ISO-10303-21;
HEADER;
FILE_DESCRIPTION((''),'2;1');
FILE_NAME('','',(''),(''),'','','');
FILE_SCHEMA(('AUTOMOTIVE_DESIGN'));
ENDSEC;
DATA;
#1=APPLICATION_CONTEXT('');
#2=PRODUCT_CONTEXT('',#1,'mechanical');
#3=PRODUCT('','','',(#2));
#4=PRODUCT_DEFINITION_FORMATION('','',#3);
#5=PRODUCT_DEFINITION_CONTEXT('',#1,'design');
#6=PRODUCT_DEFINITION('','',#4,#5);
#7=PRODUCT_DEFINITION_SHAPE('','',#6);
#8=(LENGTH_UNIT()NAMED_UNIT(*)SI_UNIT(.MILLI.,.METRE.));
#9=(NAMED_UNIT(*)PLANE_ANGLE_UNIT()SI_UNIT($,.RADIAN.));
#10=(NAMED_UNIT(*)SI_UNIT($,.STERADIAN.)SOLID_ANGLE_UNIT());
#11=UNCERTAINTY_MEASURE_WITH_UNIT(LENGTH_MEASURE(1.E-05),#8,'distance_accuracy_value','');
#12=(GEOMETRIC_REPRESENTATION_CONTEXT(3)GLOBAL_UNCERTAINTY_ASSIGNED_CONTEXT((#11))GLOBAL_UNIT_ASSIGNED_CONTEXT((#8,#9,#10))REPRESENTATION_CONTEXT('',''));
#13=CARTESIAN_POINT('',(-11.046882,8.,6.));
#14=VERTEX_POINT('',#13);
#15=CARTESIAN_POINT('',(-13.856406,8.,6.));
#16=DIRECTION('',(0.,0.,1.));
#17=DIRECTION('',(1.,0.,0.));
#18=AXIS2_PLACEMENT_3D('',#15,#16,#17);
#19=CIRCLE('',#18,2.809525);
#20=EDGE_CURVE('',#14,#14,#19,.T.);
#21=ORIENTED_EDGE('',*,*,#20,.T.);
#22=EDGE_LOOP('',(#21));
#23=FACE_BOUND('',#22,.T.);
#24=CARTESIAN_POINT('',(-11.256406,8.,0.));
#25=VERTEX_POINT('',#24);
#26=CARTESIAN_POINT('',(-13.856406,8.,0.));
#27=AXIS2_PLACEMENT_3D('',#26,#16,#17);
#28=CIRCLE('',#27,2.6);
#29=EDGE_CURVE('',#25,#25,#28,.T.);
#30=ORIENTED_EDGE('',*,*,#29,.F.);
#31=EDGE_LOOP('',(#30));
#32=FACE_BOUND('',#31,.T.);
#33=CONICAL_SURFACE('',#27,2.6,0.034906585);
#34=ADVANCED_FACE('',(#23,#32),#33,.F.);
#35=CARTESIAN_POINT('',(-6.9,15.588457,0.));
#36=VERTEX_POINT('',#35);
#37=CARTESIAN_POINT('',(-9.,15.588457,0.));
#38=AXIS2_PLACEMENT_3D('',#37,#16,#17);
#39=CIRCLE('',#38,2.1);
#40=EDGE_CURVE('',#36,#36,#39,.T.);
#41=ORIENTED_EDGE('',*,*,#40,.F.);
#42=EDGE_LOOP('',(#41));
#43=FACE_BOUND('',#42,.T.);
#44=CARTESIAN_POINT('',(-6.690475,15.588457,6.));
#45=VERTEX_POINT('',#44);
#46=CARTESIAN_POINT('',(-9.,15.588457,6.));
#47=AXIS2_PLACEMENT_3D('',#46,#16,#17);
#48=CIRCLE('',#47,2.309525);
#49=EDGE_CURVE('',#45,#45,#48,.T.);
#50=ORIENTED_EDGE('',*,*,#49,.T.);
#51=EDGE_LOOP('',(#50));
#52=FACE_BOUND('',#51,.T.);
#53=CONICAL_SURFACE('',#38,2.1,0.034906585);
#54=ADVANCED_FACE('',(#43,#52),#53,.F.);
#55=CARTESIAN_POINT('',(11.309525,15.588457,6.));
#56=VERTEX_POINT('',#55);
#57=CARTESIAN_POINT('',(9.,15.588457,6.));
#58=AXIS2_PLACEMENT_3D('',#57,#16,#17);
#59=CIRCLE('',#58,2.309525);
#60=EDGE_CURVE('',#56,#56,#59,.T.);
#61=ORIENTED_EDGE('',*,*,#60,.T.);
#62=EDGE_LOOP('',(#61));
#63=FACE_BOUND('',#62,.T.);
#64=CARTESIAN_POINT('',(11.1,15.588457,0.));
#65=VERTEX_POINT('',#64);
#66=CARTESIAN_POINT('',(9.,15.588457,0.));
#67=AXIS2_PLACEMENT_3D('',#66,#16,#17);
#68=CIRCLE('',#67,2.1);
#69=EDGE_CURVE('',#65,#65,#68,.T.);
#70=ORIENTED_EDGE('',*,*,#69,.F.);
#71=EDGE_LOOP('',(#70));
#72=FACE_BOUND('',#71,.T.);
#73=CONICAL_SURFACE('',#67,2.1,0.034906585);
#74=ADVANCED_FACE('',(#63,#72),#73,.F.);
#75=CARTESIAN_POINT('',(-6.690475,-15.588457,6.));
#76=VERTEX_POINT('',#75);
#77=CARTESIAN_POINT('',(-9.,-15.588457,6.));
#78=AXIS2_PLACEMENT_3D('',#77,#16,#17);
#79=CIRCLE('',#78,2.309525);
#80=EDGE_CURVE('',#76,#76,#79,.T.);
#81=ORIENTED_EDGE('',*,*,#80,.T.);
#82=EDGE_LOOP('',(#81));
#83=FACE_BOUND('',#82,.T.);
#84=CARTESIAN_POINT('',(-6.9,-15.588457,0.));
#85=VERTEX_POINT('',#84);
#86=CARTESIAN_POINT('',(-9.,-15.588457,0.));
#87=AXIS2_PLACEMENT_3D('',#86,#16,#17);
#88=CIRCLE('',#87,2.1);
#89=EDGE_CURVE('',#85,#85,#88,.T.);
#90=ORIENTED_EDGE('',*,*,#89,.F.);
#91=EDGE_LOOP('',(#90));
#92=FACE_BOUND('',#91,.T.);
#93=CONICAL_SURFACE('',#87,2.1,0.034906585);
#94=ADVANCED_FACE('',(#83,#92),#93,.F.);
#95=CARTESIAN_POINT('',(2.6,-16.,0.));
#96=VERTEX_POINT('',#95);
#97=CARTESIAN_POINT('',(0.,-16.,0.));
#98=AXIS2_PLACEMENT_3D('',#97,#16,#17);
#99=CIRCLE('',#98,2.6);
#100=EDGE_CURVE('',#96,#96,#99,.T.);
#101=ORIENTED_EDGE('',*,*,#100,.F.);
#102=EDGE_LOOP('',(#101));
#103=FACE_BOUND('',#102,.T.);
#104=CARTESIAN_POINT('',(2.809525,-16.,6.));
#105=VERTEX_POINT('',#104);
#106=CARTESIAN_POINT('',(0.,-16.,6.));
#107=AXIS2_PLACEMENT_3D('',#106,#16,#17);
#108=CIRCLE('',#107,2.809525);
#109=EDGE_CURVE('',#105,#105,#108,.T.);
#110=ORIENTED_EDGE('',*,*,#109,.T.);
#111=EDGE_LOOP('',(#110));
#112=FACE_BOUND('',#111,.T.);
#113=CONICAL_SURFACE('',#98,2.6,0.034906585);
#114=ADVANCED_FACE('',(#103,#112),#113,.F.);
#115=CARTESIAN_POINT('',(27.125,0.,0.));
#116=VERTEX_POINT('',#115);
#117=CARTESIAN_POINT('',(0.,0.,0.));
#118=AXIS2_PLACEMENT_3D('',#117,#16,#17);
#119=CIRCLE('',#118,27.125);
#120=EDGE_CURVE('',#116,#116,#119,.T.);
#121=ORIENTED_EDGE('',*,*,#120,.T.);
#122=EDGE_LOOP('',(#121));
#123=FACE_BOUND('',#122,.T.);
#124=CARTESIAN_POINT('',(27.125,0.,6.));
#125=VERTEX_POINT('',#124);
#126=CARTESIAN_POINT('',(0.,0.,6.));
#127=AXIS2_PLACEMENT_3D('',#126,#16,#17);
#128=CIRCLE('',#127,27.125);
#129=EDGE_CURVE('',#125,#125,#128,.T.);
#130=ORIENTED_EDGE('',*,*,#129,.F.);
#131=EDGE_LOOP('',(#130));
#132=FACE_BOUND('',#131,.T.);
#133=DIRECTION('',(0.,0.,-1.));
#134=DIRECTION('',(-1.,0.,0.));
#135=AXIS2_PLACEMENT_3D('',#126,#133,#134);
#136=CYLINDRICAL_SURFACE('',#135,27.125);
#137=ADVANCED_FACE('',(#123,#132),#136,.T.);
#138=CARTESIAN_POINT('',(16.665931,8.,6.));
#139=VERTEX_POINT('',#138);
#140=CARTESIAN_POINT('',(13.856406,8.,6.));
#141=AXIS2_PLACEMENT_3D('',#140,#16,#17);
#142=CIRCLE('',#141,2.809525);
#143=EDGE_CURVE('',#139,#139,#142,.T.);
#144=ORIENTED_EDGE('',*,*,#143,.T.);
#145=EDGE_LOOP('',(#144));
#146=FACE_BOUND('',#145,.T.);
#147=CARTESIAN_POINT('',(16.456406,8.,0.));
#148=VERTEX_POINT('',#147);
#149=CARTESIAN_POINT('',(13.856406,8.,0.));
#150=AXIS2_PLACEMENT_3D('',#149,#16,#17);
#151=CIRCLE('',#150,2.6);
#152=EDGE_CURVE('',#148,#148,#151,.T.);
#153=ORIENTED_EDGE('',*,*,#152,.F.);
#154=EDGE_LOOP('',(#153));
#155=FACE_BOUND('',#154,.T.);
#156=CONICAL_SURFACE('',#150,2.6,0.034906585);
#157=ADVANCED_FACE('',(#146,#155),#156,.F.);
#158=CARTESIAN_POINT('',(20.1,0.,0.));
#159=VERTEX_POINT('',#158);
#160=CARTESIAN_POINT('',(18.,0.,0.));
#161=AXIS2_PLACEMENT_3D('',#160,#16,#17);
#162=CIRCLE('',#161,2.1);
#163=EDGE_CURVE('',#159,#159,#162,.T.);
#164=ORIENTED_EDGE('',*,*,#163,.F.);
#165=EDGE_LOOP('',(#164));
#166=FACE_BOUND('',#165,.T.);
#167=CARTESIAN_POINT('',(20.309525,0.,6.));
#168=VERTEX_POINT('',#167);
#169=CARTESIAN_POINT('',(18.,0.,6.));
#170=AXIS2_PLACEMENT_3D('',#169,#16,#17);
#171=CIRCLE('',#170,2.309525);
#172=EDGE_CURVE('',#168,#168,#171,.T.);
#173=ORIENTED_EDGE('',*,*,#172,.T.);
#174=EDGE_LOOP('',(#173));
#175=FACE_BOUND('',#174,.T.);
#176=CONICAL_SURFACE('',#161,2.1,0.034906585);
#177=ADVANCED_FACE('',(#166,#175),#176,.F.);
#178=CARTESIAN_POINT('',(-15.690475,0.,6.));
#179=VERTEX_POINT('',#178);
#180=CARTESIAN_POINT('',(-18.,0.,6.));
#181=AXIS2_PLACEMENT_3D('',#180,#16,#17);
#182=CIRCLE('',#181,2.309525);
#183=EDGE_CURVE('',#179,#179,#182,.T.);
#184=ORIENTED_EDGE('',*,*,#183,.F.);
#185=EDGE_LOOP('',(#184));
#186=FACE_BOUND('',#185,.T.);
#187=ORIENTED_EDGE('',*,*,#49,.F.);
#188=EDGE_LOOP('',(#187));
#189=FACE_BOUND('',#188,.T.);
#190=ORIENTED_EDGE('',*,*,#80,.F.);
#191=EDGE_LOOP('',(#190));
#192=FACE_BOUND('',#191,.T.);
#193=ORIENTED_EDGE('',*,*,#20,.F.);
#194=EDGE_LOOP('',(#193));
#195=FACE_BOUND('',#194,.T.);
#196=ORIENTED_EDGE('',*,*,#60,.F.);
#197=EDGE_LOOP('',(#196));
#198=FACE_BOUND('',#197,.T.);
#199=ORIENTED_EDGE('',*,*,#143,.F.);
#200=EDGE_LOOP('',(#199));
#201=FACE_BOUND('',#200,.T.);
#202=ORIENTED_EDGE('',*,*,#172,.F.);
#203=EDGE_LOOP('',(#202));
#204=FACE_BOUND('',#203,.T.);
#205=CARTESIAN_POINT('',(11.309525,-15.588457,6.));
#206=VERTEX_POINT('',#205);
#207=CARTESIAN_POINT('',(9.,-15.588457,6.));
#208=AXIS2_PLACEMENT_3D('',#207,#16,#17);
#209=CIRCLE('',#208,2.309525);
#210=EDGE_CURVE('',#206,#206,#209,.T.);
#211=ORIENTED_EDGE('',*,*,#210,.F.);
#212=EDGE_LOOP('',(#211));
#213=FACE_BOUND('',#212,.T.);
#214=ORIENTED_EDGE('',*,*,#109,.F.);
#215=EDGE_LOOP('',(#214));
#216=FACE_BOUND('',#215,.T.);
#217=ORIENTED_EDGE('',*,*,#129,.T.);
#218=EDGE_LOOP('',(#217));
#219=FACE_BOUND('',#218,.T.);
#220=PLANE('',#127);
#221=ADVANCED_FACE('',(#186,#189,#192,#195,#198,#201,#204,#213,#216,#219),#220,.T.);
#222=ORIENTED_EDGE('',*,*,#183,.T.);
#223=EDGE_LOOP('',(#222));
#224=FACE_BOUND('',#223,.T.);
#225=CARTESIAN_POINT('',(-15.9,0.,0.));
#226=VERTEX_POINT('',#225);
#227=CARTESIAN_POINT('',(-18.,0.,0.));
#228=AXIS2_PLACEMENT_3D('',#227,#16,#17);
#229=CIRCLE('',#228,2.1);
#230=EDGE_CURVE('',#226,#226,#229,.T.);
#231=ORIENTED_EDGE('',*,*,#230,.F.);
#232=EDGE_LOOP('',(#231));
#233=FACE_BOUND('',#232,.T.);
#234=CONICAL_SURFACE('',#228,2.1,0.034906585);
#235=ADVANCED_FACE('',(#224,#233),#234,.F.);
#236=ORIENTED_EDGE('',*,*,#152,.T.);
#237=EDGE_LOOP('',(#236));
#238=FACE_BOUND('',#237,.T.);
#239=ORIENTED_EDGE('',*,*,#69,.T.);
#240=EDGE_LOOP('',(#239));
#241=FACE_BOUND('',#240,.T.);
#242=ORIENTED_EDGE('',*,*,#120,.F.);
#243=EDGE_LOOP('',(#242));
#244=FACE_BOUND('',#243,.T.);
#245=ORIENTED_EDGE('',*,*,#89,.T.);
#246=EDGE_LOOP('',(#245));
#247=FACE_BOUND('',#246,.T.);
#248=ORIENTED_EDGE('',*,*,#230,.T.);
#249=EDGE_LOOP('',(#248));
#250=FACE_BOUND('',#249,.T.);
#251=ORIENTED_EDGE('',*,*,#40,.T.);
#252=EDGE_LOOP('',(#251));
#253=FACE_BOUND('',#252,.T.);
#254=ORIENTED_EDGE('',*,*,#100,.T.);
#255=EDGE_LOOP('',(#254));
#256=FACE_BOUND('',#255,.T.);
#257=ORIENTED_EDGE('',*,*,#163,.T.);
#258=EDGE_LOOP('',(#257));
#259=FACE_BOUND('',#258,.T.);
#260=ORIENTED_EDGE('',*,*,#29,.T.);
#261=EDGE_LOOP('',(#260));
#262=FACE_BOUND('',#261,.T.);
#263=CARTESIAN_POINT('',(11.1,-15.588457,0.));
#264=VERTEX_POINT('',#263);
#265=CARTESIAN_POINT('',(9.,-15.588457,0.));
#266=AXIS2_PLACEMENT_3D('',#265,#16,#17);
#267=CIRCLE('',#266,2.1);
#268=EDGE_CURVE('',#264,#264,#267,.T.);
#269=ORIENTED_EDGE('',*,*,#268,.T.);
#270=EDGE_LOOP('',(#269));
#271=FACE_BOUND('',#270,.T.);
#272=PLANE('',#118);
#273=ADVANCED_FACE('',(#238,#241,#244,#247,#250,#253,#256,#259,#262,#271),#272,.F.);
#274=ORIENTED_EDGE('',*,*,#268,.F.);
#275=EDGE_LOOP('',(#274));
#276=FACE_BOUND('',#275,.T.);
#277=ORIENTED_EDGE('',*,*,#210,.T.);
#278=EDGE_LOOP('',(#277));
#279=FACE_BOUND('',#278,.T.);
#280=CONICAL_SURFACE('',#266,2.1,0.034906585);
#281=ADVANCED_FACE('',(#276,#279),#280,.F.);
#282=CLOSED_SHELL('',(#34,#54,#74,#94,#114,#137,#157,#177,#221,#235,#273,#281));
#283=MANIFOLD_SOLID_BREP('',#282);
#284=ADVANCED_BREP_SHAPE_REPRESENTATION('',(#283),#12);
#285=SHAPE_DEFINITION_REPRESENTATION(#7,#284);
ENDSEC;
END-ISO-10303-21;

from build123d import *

# Parameters (mm, degrees)
SKETCH1_R                    = 27.125
BOSS_EXTRUDE1_DEPTH          = 6
CUT_EXTRUDE1_START           = 6
SKETCH2_R                    = 2.6
CUT_EXTRUDE1_DEPTH           = 45.826939745
CUT_EXTRUDE1_DRAFT           = 2
CUT_EXTRUDE1_PROFILE_2_DEPTH = 45.826939745
CUT_EXTRUDE1_PROFILE_2_DRAFT = 2
CUT_EXTRUDE1_PROFILE_3_DEPTH = 45.826939745
CUT_EXTRUDE1_PROFILE_3_DRAFT = 2
SKETCH2_R_2                  = 2.1
CUT_EXTRUDE1_PROFILE_4_DEPTH = 45.826939745
CUT_EXTRUDE1_PROFILE_4_DRAFT = 2
CUT_EXTRUDE1_PROFILE_5_DEPTH = 45.826939745
CUT_EXTRUDE1_PROFILE_5_DRAFT = 2
CUT_EXTRUDE1_PROFILE_6_DEPTH = 45.826939745
CUT_EXTRUDE1_PROFILE_6_DRAFT = 2
CUT_EXTRUDE1_PROFILE_7_DEPTH = 45.826939745
CUT_EXTRUDE1_PROFILE_7_DRAFT = 2
CUT_EXTRUDE1_PROFILE_8_DEPTH = 45.826939745
CUT_EXTRUDE1_PROFILE_8_DRAFT = 2
CUT_EXTRUDE1_PROFILE_9_DEPTH = 45.826939745
CUT_EXTRUDE1_PROFILE_9_DRAFT = 2


with BuildPart() as part:
    # Sketch1 → Boss-Extrude1 (new body)
    with BuildSketch(Plane(origin=(0, 0, 0), x_dir=(0, 1, 0), z_dir=(0, 0, 1))):
        with Locations(Location((0, 0, 0), (0, 0, 270))):
            Circle(SKETCH1_R)
    extrude(amount=BOSS_EXTRUDE1_DEPTH)


with BuildPart() as cut_extrude1_tool:
    # Sketch2 → Cut-Extrude1 (with draft: the straight prism first)
    with BuildSketch(Plane(origin=(0, 0, 6), x_dir=(1, 0, 0), z_dir=(0, 0, -1)).offset(CUT_EXTRUDE1_START)):
        with Locations((0, 16)):
            Circle(SKETCH2_R)
    extrude(amount=-CUT_EXTRUDE1_DEPTH)
    # Cut-Extrude1: the draft: its side faces are tilted about the plane it starts from
    cut_extrude1_sides = [cut_extrude1_tool.faces().sort_by_distance(p)[0] for p in [
        (-2.6, -16, 22.913469873),
    ]]
    draft(cut_extrude1_sides, Plane(origin=(0, 0, 6), x_dir=(1, 0, 0), z_dir=(0, 0, -1)).offset(CUT_EXTRUDE1_START), CUT_EXTRUDE1_DRAFT)


with BuildPart() as part_1:
    add(part.part)

    # Cut-Extrude1: cut by cut_extrude1_tool
    add(cut_extrude1_tool.part, mode=Mode.SUBTRACT)


with BuildPart() as cut_extrude1_profile_2_tool:
    # Sketch2 → Cut-Extrude1 profile 2 (with draft: the straight prism first)
    with BuildSketch(Plane(origin=(0, 0, 6), x_dir=(1, 0, 0), z_dir=(0, 0, -1)).offset(CUT_EXTRUDE1_START)):
        with Locations((13.856406461, -8)):
            Circle(SKETCH2_R)
    extrude(amount=-CUT_EXTRUDE1_PROFILE_2_DEPTH)
    # Cut-Extrude1 profile 2: the draft: its side faces are tilted about the plane it starts from
    cut_extrude1_profile_2_sides = [cut_extrude1_profile_2_tool.faces().sort_by_distance(p)[0] for p in [
        (11.256406461, 8, 22.913469873),
    ]]
    draft(cut_extrude1_profile_2_sides, Plane(origin=(0, 0, 6), x_dir=(1, 0, 0), z_dir=(0, 0, -1)).offset(CUT_EXTRUDE1_START), CUT_EXTRUDE1_PROFILE_2_DRAFT)


with BuildPart() as part_2:
    add(part_1.part)

    # Cut-Extrude1 profile 2: cut by cut_extrude1_profile_2_tool
    add(cut_extrude1_profile_2_tool.part, mode=Mode.SUBTRACT)


with BuildPart() as cut_extrude1_profile_3_tool:
    # Sketch2 → Cut-Extrude1 profile 3 (with draft: the straight prism first)
    with BuildSketch(Plane(origin=(0, 0, 6), x_dir=(1, 0, 0), z_dir=(0, 0, -1)).offset(CUT_EXTRUDE1_START)):
        with Locations((-13.856406461, -8)):
            Circle(SKETCH2_R)
    extrude(amount=-CUT_EXTRUDE1_PROFILE_3_DEPTH)
    # Cut-Extrude1 profile 3: the draft: its side faces are tilted about the plane it starts from
    cut_extrude1_profile_3_sides = [cut_extrude1_profile_3_tool.faces().sort_by_distance(p)[0] for p in [
        (-16.456406461, 8, 22.913469873),
    ]]
    draft(cut_extrude1_profile_3_sides, Plane(origin=(0, 0, 6), x_dir=(1, 0, 0), z_dir=(0, 0, -1)).offset(CUT_EXTRUDE1_START), CUT_EXTRUDE1_PROFILE_3_DRAFT)


with BuildPart() as part_3:
    add(part_2.part)

    # Cut-Extrude1 profile 3: cut by cut_extrude1_profile_3_tool
    add(cut_extrude1_profile_3_tool.part, mode=Mode.SUBTRACT)


with BuildPart() as cut_extrude1_profile_4_tool:
    # Sketch2 → Cut-Extrude1 profile 4 (with draft: the straight prism first)
    with BuildSketch(Plane(origin=(0, 0, 6), x_dir=(1, 0, 0), z_dir=(0, 0, -1)).offset(CUT_EXTRUDE1_START)):
        with Locations((-9, -15.588457268)):
            Circle(SKETCH2_R_2)
    extrude(amount=-CUT_EXTRUDE1_PROFILE_4_DEPTH)
    # Cut-Extrude1 profile 4: the draft: its side faces are tilted about the plane it starts from
    cut_extrude1_profile_4_sides = [cut_extrude1_profile_4_tool.faces().sort_by_distance(p)[0] for p in [
        (-11.1, 15.588457268, 22.913469873),
    ]]
    draft(cut_extrude1_profile_4_sides, Plane(origin=(0, 0, 6), x_dir=(1, 0, 0), z_dir=(0, 0, -1)).offset(CUT_EXTRUDE1_START), CUT_EXTRUDE1_PROFILE_4_DRAFT)


with BuildPart() as part_4:
    add(part_3.part)

    # Cut-Extrude1 profile 4: cut by cut_extrude1_profile_4_tool
    add(cut_extrude1_profile_4_tool.part, mode=Mode.SUBTRACT)


with BuildPart() as cut_extrude1_profile_5_tool:
    # Sketch2 → Cut-Extrude1 profile 5 (with draft: the straight prism first)
    with BuildSketch(Plane(origin=(0, 0, 6), x_dir=(1, 0, 0), z_dir=(0, 0, -1)).offset(CUT_EXTRUDE1_START)):
        with Locations((-18, 0)):
            Circle(SKETCH2_R_2)
    extrude(amount=-CUT_EXTRUDE1_PROFILE_5_DEPTH)
    # Cut-Extrude1 profile 5: the draft: its side faces are tilted about the plane it starts from
    cut_extrude1_profile_5_sides = [cut_extrude1_profile_5_tool.faces().sort_by_distance(p)[0] for p in [
        (-20.1, 0, 22.913469873),
    ]]
    draft(cut_extrude1_profile_5_sides, Plane(origin=(0, 0, 6), x_dir=(1, 0, 0), z_dir=(0, 0, -1)).offset(CUT_EXTRUDE1_START), CUT_EXTRUDE1_PROFILE_5_DRAFT)


with BuildPart() as part_5:
    add(part_4.part)

    # Cut-Extrude1 profile 5: cut by cut_extrude1_profile_5_tool
    add(cut_extrude1_profile_5_tool.part, mode=Mode.SUBTRACT)


with BuildPart() as cut_extrude1_profile_6_tool:
    # Sketch2 → Cut-Extrude1 profile 6 (with draft: the straight prism first)
    with BuildSketch(Plane(origin=(0, 0, 6), x_dir=(1, 0, 0), z_dir=(0, 0, -1)).offset(CUT_EXTRUDE1_START)):
        with Locations((-9, 15.588457268)):
            Circle(SKETCH2_R_2)
    extrude(amount=-CUT_EXTRUDE1_PROFILE_6_DEPTH)
    # Cut-Extrude1 profile 6: the draft: its side faces are tilted about the plane it starts from
    cut_extrude1_profile_6_sides = [cut_extrude1_profile_6_tool.faces().sort_by_distance(p)[0] for p in [
        (-11.1, -15.588457268, 22.913469873),
    ]]
    draft(cut_extrude1_profile_6_sides, Plane(origin=(0, 0, 6), x_dir=(1, 0, 0), z_dir=(0, 0, -1)).offset(CUT_EXTRUDE1_START), CUT_EXTRUDE1_PROFILE_6_DRAFT)


with BuildPart() as part_6:
    add(part_5.part)

    # Cut-Extrude1 profile 6: cut by cut_extrude1_profile_6_tool
    add(cut_extrude1_profile_6_tool.part, mode=Mode.SUBTRACT)


with BuildPart() as cut_extrude1_profile_7_tool:
    # Sketch2 → Cut-Extrude1 profile 7 (with draft: the straight prism first)
    with BuildSketch(Plane(origin=(0, 0, 6), x_dir=(1, 0, 0), z_dir=(0, 0, -1)).offset(CUT_EXTRUDE1_START)):
        with Locations((9, 15.588457268)):
            Circle(SKETCH2_R_2)
    extrude(amount=-CUT_EXTRUDE1_PROFILE_7_DEPTH)
    # Cut-Extrude1 profile 7: the draft: its side faces are tilted about the plane it starts from
    cut_extrude1_profile_7_sides = [cut_extrude1_profile_7_tool.faces().sort_by_distance(p)[0] for p in [
        (6.9, -15.588457268, 22.913469873),
    ]]
    draft(cut_extrude1_profile_7_sides, Plane(origin=(0, 0, 6), x_dir=(1, 0, 0), z_dir=(0, 0, -1)).offset(CUT_EXTRUDE1_START), CUT_EXTRUDE1_PROFILE_7_DRAFT)


with BuildPart() as part_7:
    add(part_6.part)

    # Cut-Extrude1 profile 7: cut by cut_extrude1_profile_7_tool
    add(cut_extrude1_profile_7_tool.part, mode=Mode.SUBTRACT)


with BuildPart() as cut_extrude1_profile_8_tool:
    # Sketch2 → Cut-Extrude1 profile 8 (with draft: the straight prism first)
    with BuildSketch(Plane(origin=(0, 0, 6), x_dir=(1, 0, 0), z_dir=(0, 0, -1)).offset(CUT_EXTRUDE1_START)):
        with Locations((18, 0)):
            Circle(SKETCH2_R_2)
    extrude(amount=-CUT_EXTRUDE1_PROFILE_8_DEPTH)
    # Cut-Extrude1 profile 8: the draft: its side faces are tilted about the plane it starts from
    cut_extrude1_profile_8_sides = [cut_extrude1_profile_8_tool.faces().sort_by_distance(p)[0] for p in [
        (15.9, 0, 22.913469873),
    ]]
    draft(cut_extrude1_profile_8_sides, Plane(origin=(0, 0, 6), x_dir=(1, 0, 0), z_dir=(0, 0, -1)).offset(CUT_EXTRUDE1_START), CUT_EXTRUDE1_PROFILE_8_DRAFT)


with BuildPart() as part_8:
    add(part_7.part)

    # Cut-Extrude1 profile 8: cut by cut_extrude1_profile_8_tool
    add(cut_extrude1_profile_8_tool.part, mode=Mode.SUBTRACT)


with BuildPart() as cut_extrude1_profile_9_tool:
    # Sketch2 → Cut-Extrude1 profile 9 (with draft: the straight prism first)
    with BuildSketch(Plane(origin=(0, 0, 6), x_dir=(1, 0, 0), z_dir=(0, 0, -1)).offset(CUT_EXTRUDE1_START)):
        with Locations((9, -15.588457268)):
            Circle(SKETCH2_R_2)
    extrude(amount=-CUT_EXTRUDE1_PROFILE_9_DEPTH)
    # Cut-Extrude1 profile 9: the draft: its side faces are tilted about the plane it starts from
    cut_extrude1_profile_9_sides = [cut_extrude1_profile_9_tool.faces().sort_by_distance(p)[0] for p in [
        (6.9, 15.588457268, 22.913469873),
    ]]
    draft(cut_extrude1_profile_9_sides, Plane(origin=(0, 0, 6), x_dir=(1, 0, 0), z_dir=(0, 0, -1)).offset(CUT_EXTRUDE1_START), CUT_EXTRUDE1_PROFILE_9_DRAFT)


with BuildPart() as part_9:
    add(part_8.part)

    # Cut-Extrude1 profile 9: cut by cut_extrude1_profile_9_tool
    add(cut_extrude1_profile_9_tool.part, mode=Mode.SUBTRACT)


solid = part_9.part
